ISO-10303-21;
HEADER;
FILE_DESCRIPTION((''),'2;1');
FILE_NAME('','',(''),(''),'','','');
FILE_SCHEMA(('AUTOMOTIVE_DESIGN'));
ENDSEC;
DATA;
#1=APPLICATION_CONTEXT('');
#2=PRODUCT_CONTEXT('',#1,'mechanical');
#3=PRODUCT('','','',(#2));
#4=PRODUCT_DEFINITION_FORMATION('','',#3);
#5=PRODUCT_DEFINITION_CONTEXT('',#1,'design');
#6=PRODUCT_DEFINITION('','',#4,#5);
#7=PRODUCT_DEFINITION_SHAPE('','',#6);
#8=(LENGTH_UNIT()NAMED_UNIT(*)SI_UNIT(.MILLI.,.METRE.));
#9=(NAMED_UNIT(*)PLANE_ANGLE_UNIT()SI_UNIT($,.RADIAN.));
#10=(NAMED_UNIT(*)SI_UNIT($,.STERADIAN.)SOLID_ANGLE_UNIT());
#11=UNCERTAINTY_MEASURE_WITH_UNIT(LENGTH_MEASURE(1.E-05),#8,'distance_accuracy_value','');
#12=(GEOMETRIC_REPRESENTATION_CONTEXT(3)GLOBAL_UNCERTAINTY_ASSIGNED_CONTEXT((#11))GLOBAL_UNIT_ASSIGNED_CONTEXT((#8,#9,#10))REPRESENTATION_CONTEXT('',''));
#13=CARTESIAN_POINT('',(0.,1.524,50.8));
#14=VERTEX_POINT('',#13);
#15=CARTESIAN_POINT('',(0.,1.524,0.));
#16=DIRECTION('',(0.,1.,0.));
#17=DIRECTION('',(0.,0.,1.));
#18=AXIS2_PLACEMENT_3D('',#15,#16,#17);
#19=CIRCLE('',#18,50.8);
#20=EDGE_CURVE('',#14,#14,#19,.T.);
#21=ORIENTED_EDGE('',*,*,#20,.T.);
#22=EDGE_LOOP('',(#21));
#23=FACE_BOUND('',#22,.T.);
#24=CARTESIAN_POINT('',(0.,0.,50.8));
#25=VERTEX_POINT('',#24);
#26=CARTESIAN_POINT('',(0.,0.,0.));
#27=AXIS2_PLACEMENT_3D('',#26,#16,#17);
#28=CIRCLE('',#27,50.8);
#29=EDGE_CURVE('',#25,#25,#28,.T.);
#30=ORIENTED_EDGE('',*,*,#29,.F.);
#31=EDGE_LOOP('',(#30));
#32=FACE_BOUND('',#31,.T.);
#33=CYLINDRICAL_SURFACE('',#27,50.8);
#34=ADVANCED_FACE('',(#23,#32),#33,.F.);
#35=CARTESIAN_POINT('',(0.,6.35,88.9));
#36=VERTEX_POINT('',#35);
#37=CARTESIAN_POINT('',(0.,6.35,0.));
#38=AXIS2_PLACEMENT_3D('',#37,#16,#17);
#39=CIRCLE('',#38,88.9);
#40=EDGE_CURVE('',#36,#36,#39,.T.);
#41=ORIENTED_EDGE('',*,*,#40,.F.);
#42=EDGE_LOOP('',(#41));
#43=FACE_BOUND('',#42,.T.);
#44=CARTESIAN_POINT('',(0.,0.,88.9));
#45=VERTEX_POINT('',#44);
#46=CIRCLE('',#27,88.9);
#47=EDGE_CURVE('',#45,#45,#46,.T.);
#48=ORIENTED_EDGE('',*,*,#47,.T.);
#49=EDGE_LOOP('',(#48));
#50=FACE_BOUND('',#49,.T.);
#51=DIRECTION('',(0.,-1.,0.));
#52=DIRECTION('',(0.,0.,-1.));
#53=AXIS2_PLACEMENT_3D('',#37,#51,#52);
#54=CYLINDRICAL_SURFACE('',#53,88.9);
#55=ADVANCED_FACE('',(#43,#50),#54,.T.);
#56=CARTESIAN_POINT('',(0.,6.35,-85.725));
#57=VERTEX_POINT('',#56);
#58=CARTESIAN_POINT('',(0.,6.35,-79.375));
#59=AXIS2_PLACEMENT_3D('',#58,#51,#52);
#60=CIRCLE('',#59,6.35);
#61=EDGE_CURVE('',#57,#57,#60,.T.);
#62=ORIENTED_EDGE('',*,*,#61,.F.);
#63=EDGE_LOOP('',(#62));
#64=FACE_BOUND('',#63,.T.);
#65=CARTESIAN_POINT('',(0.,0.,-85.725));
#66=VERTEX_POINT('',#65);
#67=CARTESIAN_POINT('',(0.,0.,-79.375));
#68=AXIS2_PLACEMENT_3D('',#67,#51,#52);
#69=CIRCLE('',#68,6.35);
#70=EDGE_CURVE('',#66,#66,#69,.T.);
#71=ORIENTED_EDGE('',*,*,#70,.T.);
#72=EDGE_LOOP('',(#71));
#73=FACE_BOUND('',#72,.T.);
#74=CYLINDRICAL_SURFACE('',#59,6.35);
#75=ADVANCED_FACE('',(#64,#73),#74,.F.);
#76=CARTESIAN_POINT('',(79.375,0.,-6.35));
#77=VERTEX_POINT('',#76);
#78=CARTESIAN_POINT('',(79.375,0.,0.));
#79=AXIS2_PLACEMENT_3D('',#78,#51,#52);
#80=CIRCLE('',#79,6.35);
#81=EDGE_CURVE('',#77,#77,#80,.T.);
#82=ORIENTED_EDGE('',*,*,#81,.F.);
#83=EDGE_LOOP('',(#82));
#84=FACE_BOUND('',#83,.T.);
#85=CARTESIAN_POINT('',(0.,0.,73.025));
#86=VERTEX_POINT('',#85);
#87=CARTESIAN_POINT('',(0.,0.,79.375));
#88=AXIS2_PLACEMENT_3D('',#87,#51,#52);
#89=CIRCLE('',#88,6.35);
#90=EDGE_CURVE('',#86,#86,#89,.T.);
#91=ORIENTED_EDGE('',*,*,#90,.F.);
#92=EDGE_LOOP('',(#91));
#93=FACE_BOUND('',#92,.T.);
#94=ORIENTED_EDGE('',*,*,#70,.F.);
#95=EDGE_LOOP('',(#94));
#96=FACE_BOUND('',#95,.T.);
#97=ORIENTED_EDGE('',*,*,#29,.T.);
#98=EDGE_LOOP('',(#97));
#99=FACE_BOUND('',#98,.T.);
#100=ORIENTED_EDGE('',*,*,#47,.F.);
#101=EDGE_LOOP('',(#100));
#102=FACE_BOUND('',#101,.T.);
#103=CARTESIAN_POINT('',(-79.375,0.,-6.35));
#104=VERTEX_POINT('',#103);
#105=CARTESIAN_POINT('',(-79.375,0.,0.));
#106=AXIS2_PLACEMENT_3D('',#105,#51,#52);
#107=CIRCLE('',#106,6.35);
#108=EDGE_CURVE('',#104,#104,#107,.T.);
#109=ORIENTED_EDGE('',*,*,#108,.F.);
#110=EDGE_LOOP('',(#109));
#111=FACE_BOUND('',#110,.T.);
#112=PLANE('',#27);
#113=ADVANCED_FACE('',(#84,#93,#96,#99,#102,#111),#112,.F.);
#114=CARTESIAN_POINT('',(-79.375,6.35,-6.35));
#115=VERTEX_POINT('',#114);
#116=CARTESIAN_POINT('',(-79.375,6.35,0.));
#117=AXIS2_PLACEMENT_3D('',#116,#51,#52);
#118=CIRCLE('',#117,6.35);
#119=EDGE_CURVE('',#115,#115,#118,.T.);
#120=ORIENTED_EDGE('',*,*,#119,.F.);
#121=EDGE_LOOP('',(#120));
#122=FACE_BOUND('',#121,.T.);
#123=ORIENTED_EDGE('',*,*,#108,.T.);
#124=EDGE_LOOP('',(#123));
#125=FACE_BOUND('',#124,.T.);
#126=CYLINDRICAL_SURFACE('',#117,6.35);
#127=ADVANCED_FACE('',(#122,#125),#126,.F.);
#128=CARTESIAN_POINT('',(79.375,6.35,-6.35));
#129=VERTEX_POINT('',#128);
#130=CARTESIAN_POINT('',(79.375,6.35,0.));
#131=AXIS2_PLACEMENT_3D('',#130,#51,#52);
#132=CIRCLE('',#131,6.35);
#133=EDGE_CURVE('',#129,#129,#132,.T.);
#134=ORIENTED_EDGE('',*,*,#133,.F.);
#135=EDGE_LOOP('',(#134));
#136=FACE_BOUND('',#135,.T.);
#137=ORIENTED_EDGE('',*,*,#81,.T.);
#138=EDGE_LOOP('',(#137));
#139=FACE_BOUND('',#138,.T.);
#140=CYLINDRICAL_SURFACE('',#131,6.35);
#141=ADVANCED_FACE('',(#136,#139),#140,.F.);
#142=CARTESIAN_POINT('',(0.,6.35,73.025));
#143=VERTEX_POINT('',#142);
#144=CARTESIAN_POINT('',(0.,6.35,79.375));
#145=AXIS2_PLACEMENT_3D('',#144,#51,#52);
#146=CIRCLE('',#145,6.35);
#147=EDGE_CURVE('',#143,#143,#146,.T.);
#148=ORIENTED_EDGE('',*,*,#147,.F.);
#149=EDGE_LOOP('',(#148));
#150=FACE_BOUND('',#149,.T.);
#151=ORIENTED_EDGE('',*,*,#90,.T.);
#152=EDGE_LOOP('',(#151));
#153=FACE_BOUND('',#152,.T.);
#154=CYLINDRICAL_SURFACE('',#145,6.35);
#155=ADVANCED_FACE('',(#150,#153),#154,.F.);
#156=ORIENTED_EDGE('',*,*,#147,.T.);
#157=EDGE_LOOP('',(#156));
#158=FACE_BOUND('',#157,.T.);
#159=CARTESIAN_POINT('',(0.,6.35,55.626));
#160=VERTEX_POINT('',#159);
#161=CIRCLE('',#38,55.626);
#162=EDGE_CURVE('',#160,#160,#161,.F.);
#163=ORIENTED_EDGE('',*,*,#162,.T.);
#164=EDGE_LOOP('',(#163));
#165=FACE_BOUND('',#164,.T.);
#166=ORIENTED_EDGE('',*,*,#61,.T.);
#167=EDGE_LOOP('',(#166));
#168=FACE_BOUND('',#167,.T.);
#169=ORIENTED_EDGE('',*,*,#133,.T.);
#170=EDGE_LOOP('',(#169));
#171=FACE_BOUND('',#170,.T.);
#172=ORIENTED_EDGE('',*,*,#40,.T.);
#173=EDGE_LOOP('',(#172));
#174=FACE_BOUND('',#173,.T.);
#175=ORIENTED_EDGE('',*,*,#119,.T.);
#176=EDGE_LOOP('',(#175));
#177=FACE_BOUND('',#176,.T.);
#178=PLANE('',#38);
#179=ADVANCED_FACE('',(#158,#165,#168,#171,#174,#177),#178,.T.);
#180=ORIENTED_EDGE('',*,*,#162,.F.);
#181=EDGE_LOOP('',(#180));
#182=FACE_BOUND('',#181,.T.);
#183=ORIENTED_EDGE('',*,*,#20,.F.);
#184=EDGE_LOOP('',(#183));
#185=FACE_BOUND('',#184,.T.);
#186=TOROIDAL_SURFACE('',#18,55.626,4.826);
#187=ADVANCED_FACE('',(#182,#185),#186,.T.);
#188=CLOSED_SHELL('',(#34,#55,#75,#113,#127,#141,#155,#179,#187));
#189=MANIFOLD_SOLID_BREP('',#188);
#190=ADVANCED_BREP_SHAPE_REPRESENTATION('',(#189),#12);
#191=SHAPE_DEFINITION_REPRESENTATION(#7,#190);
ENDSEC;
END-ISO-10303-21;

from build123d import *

# Parameters (mm, degrees)
SKETCH1_R           = 88.9
BOSS_EXTRUDE1_DEPTH = 6.35
SKETCH2_R           = 50.8
CUT_EXTRUDE1_DEPTH  = 7.35
FILLET2_R           = 4.826
SKETCH3_R           = 6.35
CUT_EXTRUDE2_DEPTH  = 7.35


with BuildPart() as part:
    # Sketch1 → Boss-Extrude1 (new body)
    with BuildSketch(Plane(origin=(0, 0, 0), x_dir=(1, 0, 0), z_dir=(0, 1, 0))):
        Circle(SKETCH1_R)
    extrude(amount=BOSS_EXTRUDE1_DEPTH)

    # Sketch2 → Cut-Extrude1 (cut, through all)
    with BuildSketch(Plane(origin=(0, 6.35, 0), x_dir=(1, 0, 0), z_dir=(0, 1, 0))):
        Circle(SKETCH2_R)
    extrude(amount=-CUT_EXTRUDE1_DEPTH, mode=Mode.SUBTRACT)

    # Fillet2
    fillet2_edges = [part.edges().sort_by_distance(p)[0] for p in [
        (-50.8, 6.35, 0),
    ]]
    fillet(fillet2_edges, radius=FILLET2_R)

    # Sketch3 → Cut-Extrude2 (cut, through all)
    with BuildSketch(Plane.XZ):
        with Locations((0, -79.375)):
            Circle(SKETCH3_R)
        with Locations((79.375, 0)):
            Circle(SKETCH3_R)
        with Locations((-79.375, 0)):
            Circle(SKETCH3_R)
        with Locations((0, 79.375)):
            Circle(SKETCH3_R)
    extrude(amount=-CUT_EXTRUDE2_DEPTH, mode=Mode.SUBTRACT)


solid = part.part
